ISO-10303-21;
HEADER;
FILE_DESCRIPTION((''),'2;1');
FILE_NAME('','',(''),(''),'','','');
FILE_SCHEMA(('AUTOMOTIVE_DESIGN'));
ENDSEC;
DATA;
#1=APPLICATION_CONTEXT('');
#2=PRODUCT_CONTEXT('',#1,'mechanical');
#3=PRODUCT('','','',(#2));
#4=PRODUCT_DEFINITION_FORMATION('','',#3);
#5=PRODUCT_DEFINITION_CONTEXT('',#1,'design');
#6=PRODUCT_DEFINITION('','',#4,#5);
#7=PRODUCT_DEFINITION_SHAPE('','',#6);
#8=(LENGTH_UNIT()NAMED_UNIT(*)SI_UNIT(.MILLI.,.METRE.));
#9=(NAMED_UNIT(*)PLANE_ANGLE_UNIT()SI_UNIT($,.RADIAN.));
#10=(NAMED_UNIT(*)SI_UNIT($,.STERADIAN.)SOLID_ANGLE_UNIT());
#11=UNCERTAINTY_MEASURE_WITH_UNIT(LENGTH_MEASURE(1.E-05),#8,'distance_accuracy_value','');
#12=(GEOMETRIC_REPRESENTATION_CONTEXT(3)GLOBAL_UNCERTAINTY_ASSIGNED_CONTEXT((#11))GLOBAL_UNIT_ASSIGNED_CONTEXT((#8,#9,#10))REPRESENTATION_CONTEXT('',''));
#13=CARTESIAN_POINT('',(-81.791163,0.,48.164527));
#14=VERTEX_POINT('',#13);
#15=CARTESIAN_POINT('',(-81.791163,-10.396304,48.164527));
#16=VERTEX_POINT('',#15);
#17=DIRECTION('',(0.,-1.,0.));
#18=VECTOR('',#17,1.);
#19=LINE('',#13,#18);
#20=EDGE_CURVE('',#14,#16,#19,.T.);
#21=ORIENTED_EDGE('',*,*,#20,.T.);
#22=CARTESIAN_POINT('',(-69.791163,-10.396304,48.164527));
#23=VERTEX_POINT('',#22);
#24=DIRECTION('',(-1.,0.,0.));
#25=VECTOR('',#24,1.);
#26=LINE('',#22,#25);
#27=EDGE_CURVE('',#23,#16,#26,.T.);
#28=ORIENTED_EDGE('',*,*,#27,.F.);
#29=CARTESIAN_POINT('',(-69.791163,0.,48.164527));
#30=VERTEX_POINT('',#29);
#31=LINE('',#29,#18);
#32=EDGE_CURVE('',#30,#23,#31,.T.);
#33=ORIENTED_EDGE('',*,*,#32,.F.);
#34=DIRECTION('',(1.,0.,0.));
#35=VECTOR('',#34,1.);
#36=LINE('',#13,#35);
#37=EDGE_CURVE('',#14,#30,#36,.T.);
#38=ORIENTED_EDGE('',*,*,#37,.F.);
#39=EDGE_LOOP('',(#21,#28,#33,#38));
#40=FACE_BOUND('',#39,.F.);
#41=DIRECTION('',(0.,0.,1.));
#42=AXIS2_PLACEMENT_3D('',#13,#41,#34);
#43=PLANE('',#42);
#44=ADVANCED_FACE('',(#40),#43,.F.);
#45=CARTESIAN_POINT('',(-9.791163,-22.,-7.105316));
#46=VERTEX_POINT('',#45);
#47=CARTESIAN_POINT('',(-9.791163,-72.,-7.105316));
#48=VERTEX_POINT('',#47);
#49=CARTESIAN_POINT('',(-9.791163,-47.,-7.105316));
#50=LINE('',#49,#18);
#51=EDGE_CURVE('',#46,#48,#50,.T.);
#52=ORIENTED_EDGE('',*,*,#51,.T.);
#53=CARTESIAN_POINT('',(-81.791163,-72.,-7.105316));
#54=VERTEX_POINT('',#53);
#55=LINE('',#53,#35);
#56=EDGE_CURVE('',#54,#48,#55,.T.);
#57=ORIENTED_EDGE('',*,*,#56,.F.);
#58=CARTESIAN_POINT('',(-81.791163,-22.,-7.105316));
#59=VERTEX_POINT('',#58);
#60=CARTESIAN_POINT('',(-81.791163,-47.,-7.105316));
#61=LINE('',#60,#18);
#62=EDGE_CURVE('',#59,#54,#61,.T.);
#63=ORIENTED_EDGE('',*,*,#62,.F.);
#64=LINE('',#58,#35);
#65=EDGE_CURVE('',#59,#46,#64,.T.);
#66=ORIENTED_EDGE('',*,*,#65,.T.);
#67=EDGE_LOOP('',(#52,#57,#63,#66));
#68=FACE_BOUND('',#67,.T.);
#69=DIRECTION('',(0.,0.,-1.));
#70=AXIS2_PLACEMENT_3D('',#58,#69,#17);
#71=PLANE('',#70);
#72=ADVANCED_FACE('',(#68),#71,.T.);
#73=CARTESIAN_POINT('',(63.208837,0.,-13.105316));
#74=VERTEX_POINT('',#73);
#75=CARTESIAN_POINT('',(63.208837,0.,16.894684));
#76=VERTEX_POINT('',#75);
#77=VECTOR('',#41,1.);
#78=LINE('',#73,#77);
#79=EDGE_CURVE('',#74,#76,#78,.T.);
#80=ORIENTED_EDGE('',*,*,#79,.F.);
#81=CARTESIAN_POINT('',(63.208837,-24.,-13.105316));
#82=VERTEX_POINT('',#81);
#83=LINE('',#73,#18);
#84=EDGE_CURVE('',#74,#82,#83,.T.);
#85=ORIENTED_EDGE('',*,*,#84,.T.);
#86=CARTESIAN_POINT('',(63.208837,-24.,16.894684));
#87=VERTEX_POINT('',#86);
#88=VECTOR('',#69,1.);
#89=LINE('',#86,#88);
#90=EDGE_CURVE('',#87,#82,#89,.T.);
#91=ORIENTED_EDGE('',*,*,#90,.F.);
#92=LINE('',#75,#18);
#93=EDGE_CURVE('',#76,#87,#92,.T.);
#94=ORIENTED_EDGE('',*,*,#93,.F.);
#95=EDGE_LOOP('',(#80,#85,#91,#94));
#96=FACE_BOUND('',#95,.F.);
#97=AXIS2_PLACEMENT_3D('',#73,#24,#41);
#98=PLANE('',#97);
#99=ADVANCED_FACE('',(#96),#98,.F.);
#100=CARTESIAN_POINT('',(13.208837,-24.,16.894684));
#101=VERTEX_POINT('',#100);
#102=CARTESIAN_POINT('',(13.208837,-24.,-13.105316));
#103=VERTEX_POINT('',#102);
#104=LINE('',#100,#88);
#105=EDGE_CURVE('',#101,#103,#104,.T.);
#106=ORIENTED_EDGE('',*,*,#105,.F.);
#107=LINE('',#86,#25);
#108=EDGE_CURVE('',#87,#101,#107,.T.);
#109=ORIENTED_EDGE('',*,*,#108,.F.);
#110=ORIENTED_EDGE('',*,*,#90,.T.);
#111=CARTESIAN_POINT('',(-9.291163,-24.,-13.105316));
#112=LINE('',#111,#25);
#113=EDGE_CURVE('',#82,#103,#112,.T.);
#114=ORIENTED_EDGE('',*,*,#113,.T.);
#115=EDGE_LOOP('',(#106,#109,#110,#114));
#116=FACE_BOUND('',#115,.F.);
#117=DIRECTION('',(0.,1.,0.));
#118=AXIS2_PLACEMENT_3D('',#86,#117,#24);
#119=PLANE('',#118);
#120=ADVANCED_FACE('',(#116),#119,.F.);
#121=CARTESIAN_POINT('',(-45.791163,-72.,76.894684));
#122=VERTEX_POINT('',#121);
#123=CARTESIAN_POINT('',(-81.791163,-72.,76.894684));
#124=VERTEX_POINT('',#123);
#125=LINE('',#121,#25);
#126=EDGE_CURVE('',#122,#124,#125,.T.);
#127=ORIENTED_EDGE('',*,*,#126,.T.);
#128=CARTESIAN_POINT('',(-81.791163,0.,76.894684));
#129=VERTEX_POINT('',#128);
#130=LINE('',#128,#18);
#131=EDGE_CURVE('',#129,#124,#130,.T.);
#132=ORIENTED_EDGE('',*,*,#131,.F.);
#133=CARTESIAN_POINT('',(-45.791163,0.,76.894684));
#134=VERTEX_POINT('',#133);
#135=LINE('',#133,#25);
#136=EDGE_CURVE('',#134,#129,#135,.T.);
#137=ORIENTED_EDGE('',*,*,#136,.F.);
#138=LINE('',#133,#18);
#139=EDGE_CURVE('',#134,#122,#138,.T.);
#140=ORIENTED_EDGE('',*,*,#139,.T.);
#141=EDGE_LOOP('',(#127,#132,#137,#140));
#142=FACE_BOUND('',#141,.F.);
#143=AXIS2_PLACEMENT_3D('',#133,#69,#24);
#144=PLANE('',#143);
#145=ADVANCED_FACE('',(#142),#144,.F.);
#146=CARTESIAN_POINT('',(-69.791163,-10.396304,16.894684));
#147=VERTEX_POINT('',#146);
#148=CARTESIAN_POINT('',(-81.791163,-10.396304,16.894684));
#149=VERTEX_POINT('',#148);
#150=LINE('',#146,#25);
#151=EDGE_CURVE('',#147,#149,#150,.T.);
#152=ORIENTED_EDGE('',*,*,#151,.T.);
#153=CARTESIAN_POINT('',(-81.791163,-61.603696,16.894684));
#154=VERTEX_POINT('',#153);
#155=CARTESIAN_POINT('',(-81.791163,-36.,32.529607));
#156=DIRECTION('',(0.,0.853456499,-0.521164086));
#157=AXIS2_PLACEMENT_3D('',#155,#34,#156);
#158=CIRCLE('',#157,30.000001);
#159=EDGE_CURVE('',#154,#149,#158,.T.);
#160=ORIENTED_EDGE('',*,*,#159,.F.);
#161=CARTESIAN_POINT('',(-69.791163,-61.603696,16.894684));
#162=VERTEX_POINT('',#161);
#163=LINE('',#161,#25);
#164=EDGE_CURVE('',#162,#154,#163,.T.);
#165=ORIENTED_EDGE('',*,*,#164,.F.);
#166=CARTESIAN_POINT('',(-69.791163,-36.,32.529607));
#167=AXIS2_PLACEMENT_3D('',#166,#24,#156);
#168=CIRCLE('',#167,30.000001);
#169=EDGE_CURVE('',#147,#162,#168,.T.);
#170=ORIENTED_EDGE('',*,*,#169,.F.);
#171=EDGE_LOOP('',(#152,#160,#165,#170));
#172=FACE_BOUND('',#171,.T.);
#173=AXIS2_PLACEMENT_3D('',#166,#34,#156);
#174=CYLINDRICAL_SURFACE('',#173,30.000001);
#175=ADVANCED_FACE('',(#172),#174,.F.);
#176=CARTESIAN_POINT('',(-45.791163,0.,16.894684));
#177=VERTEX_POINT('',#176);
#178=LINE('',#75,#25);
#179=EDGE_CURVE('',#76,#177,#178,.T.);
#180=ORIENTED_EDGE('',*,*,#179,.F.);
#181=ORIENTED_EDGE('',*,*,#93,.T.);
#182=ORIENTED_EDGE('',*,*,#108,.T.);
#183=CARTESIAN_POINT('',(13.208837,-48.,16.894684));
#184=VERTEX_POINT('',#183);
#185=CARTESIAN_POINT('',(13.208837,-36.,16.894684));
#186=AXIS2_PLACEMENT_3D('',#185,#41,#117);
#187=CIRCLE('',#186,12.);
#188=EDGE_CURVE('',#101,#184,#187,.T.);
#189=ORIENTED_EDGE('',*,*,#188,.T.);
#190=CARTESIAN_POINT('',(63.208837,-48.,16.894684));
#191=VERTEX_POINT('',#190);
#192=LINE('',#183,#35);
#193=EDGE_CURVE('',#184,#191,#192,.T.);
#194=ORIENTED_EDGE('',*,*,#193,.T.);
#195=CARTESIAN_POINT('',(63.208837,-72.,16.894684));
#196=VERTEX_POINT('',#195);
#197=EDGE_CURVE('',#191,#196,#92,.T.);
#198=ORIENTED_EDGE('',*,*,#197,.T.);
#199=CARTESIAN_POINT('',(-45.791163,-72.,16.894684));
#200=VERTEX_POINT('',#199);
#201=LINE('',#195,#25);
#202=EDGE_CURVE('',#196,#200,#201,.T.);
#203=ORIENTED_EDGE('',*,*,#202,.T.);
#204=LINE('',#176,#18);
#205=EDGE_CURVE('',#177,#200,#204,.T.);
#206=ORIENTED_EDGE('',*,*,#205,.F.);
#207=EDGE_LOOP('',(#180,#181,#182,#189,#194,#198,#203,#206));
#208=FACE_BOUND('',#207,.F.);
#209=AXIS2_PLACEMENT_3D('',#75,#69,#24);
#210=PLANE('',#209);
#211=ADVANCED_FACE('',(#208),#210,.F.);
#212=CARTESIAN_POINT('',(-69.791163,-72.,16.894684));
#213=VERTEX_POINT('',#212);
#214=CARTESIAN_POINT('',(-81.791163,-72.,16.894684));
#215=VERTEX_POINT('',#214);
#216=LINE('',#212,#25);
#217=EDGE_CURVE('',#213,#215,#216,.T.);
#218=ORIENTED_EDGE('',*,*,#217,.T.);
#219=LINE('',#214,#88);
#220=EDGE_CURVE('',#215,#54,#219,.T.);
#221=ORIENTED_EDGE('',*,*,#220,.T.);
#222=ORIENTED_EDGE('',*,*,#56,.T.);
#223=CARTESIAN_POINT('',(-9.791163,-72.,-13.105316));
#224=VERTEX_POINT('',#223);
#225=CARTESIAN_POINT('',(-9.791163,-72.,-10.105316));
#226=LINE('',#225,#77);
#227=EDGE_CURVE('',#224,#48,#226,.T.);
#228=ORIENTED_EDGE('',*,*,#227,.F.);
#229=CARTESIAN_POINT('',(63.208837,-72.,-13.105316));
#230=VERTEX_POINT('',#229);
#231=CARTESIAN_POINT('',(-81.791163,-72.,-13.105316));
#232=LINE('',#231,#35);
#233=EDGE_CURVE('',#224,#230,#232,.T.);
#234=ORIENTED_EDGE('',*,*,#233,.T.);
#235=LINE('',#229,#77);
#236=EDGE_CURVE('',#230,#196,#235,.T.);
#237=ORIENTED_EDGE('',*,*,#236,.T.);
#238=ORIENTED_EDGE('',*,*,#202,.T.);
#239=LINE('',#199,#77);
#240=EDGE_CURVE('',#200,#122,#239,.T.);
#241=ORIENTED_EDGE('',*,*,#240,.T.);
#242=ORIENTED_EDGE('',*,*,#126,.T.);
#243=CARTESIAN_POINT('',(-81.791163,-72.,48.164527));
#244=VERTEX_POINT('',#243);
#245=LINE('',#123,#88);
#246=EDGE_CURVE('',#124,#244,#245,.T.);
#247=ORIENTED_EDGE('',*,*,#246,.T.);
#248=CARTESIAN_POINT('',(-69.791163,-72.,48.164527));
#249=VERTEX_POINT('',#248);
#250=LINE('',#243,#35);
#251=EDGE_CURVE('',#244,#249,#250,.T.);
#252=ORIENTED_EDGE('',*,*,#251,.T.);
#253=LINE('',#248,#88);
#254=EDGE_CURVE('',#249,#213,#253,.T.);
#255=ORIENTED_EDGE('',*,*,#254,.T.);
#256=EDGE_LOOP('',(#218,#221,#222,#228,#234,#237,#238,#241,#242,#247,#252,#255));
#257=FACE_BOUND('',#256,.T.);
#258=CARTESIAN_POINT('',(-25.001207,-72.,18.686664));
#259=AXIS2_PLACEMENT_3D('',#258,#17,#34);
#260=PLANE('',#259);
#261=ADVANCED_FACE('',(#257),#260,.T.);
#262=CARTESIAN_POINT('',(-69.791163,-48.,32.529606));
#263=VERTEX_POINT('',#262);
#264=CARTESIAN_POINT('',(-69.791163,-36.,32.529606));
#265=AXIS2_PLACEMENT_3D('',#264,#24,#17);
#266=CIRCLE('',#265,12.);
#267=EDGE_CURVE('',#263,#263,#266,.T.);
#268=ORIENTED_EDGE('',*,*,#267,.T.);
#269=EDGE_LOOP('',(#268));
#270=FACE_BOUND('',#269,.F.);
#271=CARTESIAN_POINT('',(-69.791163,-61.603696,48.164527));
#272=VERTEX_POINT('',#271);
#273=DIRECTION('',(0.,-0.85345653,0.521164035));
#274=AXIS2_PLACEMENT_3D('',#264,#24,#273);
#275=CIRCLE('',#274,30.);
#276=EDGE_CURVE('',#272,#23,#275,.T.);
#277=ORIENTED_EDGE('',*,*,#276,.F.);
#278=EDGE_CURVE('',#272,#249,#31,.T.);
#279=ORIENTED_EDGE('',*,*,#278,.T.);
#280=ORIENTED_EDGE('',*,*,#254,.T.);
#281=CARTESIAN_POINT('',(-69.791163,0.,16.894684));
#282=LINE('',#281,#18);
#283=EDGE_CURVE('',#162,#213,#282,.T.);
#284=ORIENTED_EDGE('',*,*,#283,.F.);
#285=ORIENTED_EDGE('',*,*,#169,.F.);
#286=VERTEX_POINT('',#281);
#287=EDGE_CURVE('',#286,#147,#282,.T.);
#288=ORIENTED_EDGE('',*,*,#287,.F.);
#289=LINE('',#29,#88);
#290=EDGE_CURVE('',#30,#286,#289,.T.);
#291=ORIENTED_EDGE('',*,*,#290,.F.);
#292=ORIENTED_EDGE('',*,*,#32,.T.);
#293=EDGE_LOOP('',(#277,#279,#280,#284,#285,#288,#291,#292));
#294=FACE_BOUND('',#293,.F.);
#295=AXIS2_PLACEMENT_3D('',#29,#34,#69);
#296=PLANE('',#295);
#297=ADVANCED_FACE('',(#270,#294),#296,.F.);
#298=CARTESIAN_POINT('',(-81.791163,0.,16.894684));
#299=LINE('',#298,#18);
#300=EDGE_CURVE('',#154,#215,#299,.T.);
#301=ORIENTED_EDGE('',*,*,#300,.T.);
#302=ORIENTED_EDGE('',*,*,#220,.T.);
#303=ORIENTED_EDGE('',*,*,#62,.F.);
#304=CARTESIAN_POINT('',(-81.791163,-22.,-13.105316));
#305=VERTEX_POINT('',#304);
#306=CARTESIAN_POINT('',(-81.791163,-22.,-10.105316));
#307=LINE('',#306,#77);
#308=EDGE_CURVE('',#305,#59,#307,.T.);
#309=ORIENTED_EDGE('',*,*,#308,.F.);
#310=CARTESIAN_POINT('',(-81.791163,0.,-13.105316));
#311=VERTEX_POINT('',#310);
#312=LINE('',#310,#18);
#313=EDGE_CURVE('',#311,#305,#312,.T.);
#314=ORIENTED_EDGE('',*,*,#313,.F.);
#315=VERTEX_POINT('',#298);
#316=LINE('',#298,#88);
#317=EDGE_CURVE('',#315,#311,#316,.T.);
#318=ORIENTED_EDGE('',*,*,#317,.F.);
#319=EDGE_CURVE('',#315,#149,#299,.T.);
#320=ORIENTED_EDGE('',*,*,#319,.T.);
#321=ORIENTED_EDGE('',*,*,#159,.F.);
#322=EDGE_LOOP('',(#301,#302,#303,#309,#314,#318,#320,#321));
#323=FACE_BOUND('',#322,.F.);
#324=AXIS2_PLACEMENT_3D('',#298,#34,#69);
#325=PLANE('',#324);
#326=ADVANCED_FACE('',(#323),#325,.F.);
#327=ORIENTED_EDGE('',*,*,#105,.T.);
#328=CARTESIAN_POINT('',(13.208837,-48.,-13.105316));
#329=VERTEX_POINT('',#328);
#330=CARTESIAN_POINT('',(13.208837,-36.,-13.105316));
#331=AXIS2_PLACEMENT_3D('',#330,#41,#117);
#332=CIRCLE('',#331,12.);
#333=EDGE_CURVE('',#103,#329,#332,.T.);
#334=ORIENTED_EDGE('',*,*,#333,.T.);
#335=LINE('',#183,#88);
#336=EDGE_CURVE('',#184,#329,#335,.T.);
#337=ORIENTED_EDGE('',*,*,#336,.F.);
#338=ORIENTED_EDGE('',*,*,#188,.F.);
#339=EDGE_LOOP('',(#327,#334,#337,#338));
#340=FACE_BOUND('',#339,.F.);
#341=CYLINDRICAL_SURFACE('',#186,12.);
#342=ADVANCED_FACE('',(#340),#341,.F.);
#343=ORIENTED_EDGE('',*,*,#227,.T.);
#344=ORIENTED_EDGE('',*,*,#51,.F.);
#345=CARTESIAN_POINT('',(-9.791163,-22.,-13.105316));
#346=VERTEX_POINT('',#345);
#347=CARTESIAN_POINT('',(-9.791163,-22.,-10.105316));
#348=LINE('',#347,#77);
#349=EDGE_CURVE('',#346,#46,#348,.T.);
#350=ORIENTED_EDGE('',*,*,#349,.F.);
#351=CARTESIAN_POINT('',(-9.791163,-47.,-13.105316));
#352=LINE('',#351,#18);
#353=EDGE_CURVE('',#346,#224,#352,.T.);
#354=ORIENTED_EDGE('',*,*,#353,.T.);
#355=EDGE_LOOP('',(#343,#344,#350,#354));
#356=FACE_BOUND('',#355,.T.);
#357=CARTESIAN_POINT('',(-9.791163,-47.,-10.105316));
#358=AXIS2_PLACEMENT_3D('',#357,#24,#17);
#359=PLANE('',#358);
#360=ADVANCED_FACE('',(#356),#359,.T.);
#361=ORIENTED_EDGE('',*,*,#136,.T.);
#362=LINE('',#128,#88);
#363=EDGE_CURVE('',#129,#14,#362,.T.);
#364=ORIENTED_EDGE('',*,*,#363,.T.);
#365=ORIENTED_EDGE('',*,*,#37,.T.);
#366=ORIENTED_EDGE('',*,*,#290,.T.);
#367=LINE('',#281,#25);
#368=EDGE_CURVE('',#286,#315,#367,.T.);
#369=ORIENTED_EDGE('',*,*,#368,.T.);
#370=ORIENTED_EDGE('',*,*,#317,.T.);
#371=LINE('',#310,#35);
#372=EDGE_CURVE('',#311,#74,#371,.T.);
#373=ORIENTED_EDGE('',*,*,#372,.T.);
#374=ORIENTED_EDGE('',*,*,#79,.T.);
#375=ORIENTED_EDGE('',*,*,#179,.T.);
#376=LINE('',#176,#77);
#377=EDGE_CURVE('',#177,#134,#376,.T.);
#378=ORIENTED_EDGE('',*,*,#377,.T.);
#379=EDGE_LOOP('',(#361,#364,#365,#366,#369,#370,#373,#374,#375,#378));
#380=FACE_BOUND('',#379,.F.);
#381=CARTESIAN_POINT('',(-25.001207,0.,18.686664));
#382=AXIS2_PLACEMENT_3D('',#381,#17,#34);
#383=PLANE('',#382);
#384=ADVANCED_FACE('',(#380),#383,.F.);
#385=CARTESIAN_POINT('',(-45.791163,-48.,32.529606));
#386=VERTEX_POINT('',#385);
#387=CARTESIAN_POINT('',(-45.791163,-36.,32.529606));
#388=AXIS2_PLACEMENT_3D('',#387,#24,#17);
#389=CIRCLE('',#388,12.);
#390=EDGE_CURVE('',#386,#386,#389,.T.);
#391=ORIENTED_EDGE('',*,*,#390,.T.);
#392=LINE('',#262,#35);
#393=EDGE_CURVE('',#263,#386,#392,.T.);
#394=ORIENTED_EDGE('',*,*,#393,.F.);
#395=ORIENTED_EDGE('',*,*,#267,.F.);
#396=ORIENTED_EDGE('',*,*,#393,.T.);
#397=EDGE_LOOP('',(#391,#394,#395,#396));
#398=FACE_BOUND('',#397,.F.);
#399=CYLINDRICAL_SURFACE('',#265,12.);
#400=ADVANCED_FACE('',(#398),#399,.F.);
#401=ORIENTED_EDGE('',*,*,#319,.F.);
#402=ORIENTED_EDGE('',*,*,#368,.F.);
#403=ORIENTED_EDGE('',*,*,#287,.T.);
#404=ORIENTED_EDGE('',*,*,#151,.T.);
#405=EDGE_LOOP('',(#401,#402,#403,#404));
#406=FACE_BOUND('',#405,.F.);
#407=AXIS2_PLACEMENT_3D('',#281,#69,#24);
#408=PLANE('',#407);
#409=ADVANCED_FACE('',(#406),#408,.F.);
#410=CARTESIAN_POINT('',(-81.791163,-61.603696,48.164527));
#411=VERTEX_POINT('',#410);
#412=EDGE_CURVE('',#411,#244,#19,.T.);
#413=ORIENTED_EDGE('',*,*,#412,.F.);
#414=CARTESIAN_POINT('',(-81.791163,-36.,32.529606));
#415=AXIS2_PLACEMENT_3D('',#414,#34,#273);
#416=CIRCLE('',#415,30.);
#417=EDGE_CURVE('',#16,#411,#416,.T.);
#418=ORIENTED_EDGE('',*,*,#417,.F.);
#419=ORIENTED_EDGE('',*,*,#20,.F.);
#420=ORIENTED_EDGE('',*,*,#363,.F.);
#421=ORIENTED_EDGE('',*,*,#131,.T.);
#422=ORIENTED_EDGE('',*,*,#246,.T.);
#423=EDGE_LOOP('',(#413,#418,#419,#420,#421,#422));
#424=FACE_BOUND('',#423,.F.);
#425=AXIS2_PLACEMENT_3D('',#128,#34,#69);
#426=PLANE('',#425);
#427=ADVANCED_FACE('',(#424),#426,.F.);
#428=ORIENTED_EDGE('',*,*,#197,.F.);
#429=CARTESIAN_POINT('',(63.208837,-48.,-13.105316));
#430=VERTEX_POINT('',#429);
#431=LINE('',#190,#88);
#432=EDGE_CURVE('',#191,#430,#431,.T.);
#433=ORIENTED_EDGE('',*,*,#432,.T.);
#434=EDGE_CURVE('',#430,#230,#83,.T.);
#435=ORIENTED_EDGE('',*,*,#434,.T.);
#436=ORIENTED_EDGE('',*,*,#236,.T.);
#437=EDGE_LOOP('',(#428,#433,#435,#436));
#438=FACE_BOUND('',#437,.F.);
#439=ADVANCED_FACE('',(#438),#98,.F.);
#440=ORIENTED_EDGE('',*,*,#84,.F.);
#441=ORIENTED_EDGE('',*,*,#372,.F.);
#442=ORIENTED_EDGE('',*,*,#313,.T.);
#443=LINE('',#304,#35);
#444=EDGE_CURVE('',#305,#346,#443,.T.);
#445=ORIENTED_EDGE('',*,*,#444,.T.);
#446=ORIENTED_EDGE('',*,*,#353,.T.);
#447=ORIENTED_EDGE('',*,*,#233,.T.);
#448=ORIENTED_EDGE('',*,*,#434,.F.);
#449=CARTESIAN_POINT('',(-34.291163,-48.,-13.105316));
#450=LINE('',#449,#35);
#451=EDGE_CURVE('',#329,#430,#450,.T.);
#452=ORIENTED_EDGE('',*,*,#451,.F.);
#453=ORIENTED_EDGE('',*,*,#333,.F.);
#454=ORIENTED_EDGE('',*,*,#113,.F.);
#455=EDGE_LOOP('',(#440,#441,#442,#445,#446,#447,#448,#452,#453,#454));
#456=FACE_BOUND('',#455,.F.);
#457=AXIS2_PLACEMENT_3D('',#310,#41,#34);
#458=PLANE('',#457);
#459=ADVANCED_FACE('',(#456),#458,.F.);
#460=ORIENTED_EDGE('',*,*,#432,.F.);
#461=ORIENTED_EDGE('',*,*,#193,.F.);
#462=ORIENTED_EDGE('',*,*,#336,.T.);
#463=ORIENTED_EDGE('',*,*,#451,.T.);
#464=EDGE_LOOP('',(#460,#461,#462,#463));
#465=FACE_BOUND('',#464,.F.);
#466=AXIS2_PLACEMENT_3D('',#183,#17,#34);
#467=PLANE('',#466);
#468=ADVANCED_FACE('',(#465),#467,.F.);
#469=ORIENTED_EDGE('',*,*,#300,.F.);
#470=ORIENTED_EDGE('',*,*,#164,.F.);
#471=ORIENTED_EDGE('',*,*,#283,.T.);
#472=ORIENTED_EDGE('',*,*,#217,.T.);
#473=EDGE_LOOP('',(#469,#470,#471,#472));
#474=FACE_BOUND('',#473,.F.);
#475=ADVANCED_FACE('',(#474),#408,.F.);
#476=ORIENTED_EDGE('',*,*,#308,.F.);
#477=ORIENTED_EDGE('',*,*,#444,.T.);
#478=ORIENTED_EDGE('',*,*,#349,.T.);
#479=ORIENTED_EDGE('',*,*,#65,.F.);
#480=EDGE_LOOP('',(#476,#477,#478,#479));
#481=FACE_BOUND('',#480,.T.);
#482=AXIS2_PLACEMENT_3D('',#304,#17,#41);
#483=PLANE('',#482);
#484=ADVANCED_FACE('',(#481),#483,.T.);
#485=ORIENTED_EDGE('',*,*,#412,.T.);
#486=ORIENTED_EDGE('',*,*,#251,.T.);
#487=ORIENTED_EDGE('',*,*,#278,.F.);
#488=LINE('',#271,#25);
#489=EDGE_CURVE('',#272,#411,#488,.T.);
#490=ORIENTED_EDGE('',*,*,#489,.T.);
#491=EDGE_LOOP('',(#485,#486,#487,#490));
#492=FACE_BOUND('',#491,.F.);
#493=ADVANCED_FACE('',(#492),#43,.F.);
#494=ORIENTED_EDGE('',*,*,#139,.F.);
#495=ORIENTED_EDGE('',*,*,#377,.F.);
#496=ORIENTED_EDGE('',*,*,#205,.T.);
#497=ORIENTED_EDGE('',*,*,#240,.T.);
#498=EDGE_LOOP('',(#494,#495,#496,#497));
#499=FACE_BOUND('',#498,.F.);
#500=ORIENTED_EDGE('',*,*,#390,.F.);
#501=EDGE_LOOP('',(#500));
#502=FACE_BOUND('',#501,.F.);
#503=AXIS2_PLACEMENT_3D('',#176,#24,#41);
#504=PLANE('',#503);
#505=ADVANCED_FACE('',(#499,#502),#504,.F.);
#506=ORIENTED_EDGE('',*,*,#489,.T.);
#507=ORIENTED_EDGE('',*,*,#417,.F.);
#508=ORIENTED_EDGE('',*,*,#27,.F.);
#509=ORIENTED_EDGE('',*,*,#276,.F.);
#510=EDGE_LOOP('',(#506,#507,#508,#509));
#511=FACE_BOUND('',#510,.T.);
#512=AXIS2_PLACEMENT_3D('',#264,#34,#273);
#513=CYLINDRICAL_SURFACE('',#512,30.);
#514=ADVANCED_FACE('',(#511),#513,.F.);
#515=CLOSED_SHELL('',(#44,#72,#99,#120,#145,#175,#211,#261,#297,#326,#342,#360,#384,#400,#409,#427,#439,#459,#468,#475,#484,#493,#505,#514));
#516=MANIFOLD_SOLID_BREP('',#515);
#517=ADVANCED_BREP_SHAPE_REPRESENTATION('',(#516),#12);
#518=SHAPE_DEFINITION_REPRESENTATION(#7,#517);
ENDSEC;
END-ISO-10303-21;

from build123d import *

# Parameters (mm, degrees)
F1_DEPTH = 72
F3_DEPTH = 30.001
F5_W     = 50
F5_H     = 6
F6_DEPTH = 72
F4_R     = 12
F7_DEPTH = 133.001
F8_DEPTH = 12.001


with BuildPart() as f1:
    # F0 (on Front) → F1 (new body)
    with BuildSketch(Plane.XZ):
        Polygon((-45.791163, 76.894684), (-81.791163, 76.894684), (-81.791163, 48.164527), (-69.791163, 48.164527), (-69.791163, 16.894684), (-81.791163, 16.894684), (-81.791163, -13.105316), (-9.791163, -13.105316), (63.208837, -13.105316), (63.208837, 16.894684), (-45.791163, 16.894684), align=None)
    extrude(amount=F1_DEPTH)

    # F2 (on face) → F3 (cut, through all)
    with BuildSketch(Plane.XY.offset(16.894684)):
        with BuildLine():
            Line((63.208837, -24), (13.208837, -24))
            ThreePointArc((13.208837, -24), (1.208837, -36), (13.208837, -48))
            Line((13.208837, -48), (63.208837, -48))
            Line((63.208837, -48), (63.208837, -24))
        make_face()
    extrude(amount=-F3_DEPTH, mode=Mode.SUBTRACT)

    # F5 (on face) → F6 (cut)
    with BuildSketch(Plane(origin=(-81.791163, 0, 0), x_dir=(0, -1, 0), z_dir=(-1, 0, 0))):
        with Locations((47, -10.105316)):
            Rectangle(F5_W, F5_H)
    extrude(amount=-F6_DEPTH, mode=Mode.SUBTRACT)

    # F4 (on face) → F7 (cut, through all)
    with BuildSketch(Plane(origin=(-69.791163, 0, 0), x_dir=(0, -1, 0), z_dir=(-1, 0, 0))):
        with Locations((36, 32.529606)):
            Circle(F4_R)
    extrude(amount=-F7_DEPTH, mode=Mode.SUBTRACT)

    # F4 (on face) → F8 (cut, through all)
    with BuildSketch(Plane(origin=(-69.791163, 0, 0), x_dir=(0, -1, 0), z_dir=(-1, 0, 0))):
        with Locations((36, 32.529606)):
            Circle(F4_R)
        with BuildLine():
            Line((61.603696, 16.894684), (10.396304, 16.894684))
            ThreePointArc((10.396304, 16.894684), (36, 2.529606), (61.603696, 16.894684))
        make_face()
        with BuildLine():
            Line((10.396304, 48.164527), (61.603696, 48.164527))
            ThreePointArc((61.603696, 48.164527), (36, 62.529606), (10.396304, 48.164527))
        make_face()
    extrude(amount=F8_DEPTH, mode=Mode.SUBTRACT)


solid = f1.part
